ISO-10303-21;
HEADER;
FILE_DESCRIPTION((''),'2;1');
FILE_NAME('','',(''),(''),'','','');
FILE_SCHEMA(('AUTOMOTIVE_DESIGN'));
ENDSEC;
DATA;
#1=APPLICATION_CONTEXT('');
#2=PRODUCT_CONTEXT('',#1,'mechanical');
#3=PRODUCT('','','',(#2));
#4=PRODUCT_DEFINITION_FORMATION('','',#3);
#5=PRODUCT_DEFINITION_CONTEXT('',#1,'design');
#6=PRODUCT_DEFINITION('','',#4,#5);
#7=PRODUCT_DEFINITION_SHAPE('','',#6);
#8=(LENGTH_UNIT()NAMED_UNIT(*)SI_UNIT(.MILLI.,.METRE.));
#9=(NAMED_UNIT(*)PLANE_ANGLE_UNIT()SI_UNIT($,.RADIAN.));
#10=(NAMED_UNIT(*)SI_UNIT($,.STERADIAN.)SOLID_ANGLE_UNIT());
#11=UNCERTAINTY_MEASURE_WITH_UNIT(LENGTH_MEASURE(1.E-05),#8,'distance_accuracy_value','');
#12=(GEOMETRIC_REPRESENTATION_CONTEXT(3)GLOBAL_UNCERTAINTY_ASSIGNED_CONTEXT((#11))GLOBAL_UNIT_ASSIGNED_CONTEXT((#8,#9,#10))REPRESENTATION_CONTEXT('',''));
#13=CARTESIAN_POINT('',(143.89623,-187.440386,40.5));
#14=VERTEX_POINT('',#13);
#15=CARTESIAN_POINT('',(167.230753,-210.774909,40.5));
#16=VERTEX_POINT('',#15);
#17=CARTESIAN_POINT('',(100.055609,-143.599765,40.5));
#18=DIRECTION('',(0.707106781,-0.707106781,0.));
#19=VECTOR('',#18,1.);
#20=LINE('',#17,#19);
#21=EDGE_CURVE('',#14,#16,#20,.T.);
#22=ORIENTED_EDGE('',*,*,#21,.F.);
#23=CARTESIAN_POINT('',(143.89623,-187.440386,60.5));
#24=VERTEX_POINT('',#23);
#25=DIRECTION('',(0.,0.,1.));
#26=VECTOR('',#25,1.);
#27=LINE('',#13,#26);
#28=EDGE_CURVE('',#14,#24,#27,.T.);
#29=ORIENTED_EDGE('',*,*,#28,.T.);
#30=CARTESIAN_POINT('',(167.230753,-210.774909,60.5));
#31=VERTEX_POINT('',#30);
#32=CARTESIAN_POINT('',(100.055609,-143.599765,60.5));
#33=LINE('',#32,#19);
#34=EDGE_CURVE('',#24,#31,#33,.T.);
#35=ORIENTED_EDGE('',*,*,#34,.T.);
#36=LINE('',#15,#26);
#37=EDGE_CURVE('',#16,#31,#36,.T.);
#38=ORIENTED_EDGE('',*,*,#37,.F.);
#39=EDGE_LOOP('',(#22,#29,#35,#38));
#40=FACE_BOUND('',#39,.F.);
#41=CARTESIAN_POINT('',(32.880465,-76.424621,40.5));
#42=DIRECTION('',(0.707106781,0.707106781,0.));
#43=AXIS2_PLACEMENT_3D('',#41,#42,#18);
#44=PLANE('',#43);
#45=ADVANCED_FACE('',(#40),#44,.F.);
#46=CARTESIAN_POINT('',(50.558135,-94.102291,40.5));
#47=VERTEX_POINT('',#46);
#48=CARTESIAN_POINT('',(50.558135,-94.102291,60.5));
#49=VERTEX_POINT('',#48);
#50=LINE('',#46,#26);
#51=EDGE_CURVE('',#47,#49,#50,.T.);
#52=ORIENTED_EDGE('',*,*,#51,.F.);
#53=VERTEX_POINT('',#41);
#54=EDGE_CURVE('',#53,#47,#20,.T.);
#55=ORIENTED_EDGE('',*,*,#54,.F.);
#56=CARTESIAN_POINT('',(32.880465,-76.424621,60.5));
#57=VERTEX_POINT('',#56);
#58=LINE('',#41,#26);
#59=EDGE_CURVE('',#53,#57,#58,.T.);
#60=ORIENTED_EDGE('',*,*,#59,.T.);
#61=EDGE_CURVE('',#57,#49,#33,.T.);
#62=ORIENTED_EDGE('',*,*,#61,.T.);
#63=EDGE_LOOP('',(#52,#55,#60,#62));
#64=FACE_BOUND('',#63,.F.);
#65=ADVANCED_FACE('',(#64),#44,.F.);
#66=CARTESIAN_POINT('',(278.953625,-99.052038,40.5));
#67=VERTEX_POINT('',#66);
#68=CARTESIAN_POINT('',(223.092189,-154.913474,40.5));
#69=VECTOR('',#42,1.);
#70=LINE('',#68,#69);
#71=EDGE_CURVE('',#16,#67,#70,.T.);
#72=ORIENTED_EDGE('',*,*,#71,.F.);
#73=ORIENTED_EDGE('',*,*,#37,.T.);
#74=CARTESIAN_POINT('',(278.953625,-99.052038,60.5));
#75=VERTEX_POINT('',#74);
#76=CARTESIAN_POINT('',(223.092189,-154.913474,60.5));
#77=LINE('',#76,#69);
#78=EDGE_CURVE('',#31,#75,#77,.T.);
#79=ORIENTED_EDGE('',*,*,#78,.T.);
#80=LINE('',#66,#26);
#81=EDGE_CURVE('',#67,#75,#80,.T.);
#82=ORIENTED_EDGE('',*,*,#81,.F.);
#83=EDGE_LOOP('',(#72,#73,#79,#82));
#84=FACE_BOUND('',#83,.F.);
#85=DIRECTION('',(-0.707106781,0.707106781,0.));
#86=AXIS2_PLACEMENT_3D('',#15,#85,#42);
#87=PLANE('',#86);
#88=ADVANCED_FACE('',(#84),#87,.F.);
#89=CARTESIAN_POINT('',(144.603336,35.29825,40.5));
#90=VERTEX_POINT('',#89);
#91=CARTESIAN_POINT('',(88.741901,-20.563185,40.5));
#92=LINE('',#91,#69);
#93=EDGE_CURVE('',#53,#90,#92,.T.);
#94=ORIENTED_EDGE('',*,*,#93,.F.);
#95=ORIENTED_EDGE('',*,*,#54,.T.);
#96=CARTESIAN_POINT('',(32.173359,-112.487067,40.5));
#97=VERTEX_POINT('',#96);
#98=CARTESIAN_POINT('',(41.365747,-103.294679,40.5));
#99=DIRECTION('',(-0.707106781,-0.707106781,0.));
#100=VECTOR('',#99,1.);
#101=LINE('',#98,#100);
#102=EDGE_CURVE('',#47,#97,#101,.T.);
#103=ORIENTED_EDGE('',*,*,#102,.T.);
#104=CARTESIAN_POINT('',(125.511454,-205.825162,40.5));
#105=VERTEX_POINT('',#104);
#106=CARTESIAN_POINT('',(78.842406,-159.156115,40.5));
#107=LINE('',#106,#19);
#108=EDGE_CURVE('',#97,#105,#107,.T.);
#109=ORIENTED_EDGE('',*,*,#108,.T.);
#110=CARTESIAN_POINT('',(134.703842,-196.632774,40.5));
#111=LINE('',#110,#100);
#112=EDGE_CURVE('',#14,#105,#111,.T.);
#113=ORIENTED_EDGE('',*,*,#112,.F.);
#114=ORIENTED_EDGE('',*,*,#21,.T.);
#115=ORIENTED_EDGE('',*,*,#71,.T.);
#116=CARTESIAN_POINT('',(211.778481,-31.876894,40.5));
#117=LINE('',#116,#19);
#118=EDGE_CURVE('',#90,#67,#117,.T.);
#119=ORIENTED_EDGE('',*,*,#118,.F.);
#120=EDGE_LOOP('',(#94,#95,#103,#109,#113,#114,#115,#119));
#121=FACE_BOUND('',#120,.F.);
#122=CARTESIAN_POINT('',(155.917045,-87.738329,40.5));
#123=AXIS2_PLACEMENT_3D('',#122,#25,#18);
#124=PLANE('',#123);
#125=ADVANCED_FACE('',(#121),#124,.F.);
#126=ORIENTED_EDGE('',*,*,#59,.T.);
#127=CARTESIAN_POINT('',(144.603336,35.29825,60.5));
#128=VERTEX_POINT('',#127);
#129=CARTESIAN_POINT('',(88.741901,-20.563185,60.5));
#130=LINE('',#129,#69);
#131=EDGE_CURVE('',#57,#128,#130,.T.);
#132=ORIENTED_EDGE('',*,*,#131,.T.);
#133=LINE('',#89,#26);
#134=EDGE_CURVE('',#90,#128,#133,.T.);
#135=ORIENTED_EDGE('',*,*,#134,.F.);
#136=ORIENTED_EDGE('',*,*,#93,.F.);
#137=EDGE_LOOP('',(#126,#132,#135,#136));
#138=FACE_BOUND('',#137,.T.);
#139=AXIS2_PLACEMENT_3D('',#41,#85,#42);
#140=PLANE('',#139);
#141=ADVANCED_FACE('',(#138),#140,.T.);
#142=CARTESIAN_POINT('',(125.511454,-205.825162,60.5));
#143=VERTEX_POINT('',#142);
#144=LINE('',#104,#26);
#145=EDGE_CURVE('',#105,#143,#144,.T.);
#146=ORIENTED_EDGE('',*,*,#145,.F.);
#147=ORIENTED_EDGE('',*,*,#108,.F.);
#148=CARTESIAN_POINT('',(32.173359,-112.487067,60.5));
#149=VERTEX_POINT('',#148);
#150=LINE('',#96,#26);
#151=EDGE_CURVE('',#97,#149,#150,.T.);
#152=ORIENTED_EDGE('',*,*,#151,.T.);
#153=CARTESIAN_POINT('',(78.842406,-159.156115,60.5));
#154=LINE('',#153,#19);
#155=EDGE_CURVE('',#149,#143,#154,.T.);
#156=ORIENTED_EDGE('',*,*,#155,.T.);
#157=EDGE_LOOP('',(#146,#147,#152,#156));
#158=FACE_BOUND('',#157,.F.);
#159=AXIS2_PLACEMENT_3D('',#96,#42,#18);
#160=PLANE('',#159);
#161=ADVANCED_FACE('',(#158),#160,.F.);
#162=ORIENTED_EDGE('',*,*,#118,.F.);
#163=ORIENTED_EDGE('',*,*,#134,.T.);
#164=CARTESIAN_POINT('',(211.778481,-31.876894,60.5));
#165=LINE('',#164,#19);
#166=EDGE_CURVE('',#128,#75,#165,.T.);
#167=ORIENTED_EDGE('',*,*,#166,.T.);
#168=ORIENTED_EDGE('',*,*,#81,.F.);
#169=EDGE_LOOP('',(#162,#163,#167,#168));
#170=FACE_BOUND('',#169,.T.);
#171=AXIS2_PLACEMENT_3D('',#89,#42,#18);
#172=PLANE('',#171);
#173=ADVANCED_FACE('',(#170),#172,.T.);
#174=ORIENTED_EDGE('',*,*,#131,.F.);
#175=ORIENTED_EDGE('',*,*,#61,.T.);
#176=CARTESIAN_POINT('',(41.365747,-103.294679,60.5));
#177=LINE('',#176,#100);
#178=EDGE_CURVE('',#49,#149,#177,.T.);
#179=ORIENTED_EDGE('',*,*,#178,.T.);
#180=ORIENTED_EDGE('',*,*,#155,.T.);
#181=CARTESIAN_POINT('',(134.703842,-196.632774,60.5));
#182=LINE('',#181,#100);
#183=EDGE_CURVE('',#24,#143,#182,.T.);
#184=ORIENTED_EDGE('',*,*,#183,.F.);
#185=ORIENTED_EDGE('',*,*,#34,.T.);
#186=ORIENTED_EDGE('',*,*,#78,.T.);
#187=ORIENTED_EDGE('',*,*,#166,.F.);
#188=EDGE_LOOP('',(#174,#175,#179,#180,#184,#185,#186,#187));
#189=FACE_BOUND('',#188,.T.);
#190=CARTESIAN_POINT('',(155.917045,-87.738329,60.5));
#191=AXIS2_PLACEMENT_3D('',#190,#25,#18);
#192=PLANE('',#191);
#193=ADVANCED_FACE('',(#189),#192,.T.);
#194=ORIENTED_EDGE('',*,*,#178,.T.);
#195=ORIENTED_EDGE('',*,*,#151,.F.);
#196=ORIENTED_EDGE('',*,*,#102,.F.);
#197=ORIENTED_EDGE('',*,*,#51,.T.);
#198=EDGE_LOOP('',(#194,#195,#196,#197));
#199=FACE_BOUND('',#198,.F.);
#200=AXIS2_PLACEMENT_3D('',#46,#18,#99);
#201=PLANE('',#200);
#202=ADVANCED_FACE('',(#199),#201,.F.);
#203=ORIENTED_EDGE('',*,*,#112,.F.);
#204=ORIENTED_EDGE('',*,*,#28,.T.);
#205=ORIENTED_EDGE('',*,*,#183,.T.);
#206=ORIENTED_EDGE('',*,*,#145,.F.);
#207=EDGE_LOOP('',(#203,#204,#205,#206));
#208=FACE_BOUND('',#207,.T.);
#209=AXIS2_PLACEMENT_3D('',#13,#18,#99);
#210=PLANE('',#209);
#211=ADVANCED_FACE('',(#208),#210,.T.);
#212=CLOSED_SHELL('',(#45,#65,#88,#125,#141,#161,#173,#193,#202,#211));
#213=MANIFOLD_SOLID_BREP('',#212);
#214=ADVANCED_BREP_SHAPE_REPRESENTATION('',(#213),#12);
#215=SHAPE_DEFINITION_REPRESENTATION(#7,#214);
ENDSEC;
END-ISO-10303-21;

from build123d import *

# Parameters (mm, degrees)
BOX047_W               = 26
BOX047_H               = 132
BOX047_DEPTH           = 20
BOX047_PLACEMENT_ANGLE = 135
BOX046_W               = 190
BOX046_H               = 158
BOX046_DEPTH           = 20
BOX046_PLACEMENT_ANGLE = 315


with BuildPart() as cube009:
    # Box047 → Box047 (new body)
    with BuildSketch(Plane.XY):
        with Locations((13, 66)):
            Rectangle(BOX047_W, BOX047_H)
    extrude(amount=BOX047_DEPTH)


with BuildPart() as cube009_1:
    # Box047 placement: moved
    add(cube009.part.moved(Location((50.558135, -94.102291, 40.5))).rotate(Axis((50.558135, -94.102291, 40.5), (0, 0, -1)), BOX047_PLACEMENT_ANGLE))


with BuildPart() as fusion012:
    # Box046 → Box046 (new body)
    with BuildSketch(Plane.XY):
        with Locations((95, 79)):
            Rectangle(BOX046_W, BOX046_H)
    extrude(amount=BOX046_DEPTH)


with BuildPart() as fusion012_1:
    # Box046 placement: moved
    add(fusion012.part.moved(Location((32.880465, -76.424621, 40.5))).rotate(Axis((32.880465, -76.424621, 40.5), (0, 0, 1)), BOX046_PLACEMENT_ANGLE))

    # Fusion012: union Cube009
    add(cube009_1.part)


solid = fusion012_1.part
